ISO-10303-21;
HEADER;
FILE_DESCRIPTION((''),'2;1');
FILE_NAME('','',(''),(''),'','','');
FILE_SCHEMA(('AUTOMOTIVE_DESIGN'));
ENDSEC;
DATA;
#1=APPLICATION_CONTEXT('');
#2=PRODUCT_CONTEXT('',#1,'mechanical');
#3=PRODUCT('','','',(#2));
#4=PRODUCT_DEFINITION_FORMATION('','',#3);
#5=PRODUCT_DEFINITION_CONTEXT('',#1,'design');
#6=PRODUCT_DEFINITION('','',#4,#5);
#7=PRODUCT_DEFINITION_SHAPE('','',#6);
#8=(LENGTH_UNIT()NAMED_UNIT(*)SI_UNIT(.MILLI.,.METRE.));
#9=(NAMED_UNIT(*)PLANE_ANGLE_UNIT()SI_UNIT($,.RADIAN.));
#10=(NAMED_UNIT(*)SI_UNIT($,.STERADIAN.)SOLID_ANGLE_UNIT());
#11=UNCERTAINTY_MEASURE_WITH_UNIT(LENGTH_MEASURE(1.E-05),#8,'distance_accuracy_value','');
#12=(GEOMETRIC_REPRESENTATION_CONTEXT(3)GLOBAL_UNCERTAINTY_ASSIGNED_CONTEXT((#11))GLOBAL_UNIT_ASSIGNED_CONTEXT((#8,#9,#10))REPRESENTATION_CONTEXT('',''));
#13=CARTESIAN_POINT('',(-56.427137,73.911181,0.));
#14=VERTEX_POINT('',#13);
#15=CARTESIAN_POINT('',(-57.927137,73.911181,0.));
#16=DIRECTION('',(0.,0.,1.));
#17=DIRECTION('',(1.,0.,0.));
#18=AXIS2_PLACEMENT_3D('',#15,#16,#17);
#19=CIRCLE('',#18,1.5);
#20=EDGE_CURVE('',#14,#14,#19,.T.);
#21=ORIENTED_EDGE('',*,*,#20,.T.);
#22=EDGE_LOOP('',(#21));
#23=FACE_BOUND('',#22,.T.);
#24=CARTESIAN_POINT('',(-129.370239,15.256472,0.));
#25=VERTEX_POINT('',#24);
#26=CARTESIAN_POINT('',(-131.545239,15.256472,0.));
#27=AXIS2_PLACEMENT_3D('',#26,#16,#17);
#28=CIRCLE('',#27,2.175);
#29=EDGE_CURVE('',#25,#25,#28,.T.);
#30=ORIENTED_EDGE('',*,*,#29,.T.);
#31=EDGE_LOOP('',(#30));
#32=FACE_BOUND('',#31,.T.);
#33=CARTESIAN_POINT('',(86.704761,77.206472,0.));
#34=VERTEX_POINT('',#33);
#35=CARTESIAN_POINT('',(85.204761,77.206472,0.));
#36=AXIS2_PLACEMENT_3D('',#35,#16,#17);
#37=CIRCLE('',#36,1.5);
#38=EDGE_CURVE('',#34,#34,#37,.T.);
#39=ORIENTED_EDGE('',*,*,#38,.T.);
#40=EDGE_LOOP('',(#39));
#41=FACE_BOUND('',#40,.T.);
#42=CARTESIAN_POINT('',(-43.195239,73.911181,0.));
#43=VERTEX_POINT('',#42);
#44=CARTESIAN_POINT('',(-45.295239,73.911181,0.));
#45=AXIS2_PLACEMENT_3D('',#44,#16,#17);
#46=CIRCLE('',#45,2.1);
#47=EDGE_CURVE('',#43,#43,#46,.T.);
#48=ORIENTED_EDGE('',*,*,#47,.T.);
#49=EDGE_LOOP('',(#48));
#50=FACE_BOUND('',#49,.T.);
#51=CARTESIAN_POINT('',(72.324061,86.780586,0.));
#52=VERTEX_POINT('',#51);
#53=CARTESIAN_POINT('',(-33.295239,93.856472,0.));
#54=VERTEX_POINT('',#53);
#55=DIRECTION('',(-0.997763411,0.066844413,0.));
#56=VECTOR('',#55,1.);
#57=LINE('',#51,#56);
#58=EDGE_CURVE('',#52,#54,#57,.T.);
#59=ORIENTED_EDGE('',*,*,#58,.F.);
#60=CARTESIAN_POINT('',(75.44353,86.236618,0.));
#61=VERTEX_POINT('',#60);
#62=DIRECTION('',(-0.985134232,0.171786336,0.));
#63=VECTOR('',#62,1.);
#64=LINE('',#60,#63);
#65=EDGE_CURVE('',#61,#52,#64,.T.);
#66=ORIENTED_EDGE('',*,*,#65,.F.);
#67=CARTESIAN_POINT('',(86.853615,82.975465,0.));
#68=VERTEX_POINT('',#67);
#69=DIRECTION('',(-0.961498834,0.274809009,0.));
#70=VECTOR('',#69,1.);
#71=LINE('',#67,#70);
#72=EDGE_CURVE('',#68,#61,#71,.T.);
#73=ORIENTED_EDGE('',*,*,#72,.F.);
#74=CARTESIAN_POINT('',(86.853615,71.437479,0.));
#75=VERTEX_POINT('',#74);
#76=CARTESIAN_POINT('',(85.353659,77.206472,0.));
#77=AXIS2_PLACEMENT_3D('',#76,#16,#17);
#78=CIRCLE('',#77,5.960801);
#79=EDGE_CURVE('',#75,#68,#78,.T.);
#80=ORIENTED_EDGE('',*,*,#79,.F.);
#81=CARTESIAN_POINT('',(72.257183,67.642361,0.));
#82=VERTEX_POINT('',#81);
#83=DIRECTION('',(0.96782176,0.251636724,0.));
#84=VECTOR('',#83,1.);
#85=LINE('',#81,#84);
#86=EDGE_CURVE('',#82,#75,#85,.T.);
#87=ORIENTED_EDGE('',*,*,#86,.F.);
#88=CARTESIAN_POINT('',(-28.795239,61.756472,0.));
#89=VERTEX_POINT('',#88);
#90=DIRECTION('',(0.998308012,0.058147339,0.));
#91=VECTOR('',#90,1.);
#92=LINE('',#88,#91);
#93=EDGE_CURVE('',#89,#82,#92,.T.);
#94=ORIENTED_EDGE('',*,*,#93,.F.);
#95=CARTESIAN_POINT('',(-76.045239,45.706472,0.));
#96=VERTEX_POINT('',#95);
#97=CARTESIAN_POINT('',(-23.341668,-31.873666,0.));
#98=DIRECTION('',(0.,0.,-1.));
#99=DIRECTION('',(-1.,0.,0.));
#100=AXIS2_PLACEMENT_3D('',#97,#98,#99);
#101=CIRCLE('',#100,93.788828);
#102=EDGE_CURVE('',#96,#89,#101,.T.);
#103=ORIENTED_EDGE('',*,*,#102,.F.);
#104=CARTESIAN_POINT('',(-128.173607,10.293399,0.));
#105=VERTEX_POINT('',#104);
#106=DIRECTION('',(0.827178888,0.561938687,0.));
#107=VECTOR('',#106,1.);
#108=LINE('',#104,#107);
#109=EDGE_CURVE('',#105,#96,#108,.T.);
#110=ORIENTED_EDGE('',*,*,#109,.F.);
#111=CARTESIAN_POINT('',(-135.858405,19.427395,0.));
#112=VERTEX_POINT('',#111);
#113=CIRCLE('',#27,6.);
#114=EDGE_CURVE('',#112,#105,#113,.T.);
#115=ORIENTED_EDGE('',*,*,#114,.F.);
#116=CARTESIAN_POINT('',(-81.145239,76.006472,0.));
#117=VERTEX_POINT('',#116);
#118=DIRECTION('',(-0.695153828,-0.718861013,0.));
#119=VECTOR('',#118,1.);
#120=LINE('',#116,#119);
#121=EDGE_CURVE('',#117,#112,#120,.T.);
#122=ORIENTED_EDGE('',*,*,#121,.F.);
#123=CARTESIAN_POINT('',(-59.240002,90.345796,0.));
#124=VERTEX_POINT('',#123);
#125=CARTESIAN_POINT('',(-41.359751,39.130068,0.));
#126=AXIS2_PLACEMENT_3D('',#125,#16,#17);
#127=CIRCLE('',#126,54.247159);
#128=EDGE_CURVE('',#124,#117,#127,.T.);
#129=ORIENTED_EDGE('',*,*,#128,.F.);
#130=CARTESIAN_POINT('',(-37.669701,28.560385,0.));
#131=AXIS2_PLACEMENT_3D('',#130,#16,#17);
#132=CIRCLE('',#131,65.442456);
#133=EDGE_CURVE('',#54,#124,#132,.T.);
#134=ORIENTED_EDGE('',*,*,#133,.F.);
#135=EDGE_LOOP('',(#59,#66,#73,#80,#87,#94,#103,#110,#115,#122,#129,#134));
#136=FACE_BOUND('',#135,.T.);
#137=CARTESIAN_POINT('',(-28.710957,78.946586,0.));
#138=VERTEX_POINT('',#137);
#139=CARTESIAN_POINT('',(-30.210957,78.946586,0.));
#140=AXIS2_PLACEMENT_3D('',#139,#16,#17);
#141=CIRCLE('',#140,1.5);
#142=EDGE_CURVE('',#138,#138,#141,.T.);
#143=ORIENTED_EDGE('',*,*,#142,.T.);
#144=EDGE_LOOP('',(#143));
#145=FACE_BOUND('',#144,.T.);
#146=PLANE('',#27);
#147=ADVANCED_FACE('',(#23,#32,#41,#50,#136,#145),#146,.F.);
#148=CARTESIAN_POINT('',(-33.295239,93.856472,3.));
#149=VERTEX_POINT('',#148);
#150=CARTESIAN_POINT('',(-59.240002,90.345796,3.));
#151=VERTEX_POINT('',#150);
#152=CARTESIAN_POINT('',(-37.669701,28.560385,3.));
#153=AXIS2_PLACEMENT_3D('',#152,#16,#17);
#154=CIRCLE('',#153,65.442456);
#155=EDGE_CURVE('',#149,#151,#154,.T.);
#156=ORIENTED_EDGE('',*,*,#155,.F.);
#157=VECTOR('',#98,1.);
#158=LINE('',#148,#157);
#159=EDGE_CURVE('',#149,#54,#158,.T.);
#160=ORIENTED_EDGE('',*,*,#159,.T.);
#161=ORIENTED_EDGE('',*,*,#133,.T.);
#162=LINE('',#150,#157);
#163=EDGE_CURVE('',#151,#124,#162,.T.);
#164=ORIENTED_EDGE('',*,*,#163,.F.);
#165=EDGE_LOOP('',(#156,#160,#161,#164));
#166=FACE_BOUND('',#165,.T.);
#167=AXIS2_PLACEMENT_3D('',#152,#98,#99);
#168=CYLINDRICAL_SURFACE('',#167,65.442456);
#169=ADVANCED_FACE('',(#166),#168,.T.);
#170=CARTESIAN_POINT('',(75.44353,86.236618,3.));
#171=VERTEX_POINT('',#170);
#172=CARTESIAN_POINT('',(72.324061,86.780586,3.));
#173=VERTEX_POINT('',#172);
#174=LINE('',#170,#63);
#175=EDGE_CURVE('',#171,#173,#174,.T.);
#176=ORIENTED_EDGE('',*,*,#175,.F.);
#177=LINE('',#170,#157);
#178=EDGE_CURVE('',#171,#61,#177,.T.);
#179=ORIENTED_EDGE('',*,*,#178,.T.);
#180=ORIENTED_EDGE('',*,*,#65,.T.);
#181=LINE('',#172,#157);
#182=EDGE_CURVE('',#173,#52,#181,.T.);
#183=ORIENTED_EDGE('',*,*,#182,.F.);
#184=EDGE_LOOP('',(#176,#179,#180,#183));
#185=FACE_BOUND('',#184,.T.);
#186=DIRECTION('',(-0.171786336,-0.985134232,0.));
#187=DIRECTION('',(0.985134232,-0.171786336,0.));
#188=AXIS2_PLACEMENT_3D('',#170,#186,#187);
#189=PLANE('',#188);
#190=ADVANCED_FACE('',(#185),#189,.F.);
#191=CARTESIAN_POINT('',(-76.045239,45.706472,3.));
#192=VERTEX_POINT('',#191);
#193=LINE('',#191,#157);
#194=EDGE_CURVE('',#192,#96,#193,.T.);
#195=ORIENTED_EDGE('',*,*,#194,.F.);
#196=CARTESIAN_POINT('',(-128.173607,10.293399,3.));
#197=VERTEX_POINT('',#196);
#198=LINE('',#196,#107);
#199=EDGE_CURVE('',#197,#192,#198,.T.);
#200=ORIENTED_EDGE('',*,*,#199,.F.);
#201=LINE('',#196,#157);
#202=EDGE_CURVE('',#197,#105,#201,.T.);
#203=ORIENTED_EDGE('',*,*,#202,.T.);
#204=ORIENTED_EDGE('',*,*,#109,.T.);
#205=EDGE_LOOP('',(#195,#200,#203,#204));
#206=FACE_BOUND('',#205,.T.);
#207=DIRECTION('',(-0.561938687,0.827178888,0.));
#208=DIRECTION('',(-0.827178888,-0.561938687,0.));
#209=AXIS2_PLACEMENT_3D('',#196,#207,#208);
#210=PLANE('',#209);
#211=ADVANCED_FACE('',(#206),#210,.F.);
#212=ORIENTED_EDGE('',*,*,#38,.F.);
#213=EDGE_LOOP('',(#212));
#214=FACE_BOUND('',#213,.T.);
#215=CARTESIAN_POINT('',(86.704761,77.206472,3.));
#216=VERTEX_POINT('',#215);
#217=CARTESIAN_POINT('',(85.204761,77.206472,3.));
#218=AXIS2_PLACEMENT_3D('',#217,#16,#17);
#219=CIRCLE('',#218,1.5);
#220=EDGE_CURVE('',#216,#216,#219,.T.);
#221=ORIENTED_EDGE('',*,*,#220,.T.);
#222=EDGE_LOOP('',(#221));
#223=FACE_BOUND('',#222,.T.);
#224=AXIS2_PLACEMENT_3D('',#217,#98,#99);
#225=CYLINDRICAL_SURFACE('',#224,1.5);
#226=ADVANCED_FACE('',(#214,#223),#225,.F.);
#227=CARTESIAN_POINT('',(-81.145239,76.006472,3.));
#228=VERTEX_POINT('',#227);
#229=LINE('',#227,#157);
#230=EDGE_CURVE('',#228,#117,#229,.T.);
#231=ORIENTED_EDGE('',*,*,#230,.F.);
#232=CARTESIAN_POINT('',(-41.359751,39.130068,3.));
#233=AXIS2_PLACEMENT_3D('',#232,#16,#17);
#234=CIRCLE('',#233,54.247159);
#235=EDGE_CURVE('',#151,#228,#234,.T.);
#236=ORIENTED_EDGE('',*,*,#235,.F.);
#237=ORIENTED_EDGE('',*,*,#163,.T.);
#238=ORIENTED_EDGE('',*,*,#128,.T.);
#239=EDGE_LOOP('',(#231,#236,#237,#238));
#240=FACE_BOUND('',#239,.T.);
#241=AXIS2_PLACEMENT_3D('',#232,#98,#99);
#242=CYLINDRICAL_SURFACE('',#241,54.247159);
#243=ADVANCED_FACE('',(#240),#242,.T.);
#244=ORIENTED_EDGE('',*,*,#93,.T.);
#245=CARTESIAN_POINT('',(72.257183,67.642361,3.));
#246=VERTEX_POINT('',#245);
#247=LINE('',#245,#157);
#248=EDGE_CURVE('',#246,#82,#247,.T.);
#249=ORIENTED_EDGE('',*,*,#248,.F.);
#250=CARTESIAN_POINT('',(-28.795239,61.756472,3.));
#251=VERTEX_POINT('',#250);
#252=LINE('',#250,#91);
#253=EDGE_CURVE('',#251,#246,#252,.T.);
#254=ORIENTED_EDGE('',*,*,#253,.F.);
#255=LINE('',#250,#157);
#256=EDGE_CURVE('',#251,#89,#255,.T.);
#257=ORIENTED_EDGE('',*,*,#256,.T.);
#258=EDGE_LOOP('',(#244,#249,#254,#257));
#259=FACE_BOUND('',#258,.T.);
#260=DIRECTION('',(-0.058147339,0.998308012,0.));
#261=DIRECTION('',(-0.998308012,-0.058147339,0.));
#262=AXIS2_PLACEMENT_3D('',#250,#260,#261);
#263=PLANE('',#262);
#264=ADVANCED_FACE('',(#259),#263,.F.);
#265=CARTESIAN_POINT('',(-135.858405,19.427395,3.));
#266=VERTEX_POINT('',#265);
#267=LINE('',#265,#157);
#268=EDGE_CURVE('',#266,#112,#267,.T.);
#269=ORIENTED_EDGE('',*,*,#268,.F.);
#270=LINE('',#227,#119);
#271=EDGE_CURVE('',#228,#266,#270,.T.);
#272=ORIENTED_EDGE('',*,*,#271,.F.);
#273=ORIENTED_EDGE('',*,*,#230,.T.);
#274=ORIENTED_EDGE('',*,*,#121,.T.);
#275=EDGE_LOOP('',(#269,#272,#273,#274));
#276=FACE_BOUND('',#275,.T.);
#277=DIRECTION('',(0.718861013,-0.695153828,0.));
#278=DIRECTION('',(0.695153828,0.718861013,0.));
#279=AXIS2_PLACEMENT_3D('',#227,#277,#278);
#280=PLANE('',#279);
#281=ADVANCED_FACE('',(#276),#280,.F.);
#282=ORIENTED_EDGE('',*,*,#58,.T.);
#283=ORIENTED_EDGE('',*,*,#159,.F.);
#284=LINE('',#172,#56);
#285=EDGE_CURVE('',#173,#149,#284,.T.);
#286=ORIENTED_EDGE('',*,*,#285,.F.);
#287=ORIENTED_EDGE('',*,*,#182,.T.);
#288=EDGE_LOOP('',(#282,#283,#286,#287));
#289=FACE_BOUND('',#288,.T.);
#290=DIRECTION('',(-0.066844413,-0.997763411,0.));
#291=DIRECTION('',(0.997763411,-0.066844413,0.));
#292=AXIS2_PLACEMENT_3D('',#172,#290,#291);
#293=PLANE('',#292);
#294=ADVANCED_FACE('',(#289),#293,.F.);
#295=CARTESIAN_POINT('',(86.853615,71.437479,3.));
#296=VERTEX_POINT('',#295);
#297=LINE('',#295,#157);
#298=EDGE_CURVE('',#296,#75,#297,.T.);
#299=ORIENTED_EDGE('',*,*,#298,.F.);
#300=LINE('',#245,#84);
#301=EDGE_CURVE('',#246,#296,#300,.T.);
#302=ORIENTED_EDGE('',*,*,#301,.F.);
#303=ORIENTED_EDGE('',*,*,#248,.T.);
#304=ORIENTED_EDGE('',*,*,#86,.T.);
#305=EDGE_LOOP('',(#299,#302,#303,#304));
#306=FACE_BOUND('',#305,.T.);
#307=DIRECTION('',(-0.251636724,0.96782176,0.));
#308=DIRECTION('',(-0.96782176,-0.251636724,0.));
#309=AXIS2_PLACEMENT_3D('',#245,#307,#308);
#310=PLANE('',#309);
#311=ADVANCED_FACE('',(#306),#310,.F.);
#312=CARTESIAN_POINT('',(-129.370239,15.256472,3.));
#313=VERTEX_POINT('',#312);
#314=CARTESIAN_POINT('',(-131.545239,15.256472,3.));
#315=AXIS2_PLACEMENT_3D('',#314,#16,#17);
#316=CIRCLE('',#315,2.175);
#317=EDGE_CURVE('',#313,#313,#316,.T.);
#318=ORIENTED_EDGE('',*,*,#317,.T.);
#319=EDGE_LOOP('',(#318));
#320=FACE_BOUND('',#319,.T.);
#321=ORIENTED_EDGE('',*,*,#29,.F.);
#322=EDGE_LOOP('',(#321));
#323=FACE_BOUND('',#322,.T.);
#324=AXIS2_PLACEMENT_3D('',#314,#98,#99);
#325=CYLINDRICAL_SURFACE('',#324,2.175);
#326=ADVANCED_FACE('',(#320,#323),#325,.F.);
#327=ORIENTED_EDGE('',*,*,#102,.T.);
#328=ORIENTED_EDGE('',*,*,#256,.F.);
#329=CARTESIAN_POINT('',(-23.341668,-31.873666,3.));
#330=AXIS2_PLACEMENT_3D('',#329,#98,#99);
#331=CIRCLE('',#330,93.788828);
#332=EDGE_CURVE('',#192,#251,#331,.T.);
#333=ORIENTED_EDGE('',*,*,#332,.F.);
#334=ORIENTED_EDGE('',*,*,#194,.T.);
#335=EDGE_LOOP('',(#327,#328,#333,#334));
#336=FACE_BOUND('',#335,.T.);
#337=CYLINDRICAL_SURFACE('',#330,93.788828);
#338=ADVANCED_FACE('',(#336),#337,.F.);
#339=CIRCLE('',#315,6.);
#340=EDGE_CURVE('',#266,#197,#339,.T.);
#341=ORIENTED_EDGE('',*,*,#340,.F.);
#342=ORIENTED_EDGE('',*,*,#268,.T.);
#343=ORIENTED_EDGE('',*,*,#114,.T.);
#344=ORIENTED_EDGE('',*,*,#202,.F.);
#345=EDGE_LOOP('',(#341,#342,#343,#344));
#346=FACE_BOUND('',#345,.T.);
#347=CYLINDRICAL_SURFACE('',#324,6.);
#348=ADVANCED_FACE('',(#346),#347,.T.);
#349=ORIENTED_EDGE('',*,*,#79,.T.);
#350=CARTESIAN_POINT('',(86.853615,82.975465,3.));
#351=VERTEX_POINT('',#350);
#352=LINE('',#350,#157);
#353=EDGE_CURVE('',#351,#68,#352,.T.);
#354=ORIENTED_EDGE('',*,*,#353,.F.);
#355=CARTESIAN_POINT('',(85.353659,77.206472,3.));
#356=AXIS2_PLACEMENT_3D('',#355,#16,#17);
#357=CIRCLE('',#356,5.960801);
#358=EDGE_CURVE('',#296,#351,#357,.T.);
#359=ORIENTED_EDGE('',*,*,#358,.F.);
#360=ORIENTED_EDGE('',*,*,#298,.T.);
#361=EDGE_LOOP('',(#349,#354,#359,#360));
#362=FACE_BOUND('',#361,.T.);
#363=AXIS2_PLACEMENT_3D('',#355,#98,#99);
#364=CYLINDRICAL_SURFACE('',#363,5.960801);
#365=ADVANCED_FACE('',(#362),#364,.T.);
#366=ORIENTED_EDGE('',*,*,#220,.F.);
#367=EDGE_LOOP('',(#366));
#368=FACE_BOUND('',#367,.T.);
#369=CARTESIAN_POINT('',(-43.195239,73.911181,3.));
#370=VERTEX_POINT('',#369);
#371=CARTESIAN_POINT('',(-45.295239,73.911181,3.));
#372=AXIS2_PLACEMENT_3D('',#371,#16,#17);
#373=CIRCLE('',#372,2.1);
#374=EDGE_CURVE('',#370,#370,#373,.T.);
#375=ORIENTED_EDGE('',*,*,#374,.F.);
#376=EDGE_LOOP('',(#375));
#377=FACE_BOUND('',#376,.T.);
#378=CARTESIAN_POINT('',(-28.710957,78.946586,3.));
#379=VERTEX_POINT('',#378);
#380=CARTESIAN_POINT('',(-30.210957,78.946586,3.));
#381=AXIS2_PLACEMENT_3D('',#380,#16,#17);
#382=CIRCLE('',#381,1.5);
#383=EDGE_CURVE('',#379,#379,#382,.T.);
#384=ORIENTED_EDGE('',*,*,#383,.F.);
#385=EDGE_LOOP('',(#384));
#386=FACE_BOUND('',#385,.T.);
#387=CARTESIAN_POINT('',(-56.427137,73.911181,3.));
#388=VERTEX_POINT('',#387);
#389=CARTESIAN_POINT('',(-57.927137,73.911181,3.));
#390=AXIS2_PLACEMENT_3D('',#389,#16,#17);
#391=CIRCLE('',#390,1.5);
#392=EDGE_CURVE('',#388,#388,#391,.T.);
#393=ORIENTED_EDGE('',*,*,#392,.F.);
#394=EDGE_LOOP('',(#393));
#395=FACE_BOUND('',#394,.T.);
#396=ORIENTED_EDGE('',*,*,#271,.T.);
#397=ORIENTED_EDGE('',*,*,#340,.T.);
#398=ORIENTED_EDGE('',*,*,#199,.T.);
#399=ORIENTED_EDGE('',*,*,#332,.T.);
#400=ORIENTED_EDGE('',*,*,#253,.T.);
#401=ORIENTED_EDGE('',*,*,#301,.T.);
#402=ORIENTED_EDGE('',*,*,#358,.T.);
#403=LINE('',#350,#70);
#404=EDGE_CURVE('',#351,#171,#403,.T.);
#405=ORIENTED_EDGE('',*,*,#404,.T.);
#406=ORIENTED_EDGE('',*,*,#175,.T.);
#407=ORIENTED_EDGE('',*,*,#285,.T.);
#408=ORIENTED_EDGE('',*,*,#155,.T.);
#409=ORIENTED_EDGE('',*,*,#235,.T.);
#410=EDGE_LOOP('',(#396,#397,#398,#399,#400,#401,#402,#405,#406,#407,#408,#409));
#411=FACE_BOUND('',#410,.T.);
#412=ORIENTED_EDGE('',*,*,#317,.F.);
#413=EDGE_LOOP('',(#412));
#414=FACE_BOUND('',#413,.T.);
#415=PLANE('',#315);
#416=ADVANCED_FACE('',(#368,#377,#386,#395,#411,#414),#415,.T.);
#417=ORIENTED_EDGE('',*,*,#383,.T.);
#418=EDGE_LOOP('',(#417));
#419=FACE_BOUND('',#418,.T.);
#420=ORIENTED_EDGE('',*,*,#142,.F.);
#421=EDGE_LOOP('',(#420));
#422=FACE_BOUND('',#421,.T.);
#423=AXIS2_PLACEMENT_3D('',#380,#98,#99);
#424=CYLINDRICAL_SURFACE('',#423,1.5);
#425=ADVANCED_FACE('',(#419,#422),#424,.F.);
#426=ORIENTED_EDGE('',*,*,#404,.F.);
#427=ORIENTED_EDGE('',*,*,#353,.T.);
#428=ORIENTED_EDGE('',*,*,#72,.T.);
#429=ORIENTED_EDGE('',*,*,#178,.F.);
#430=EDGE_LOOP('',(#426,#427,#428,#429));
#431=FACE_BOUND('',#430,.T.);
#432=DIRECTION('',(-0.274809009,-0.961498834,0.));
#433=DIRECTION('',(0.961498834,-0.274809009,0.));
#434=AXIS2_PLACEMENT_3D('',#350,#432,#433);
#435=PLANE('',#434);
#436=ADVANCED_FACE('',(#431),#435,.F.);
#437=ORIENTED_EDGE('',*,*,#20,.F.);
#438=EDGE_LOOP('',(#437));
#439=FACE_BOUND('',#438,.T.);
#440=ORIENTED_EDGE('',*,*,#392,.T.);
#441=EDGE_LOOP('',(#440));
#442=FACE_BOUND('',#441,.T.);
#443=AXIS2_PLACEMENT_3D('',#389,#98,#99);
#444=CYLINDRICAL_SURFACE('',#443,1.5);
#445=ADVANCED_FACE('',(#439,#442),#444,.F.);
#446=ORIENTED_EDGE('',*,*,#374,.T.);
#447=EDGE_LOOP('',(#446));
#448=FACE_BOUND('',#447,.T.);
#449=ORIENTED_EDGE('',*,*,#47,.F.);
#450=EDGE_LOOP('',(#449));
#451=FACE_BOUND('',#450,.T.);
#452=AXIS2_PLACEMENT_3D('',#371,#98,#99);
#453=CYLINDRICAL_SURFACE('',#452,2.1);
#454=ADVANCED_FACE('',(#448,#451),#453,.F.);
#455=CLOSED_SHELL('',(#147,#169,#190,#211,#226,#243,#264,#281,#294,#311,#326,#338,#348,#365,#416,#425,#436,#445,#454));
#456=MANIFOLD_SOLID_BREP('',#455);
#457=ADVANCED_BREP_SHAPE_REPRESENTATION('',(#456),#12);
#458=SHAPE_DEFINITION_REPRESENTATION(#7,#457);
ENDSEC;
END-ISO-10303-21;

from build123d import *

# Parameters (mm, degrees)
SKETCH1_R           = 1.5
SKETCH1_R_2         = 2.1
SKETCH1_R_3         = 2.175
BOSS_EXTRUDE3_DEPTH = 3


with BuildPart() as part:
    # Sketch1 → Boss-Extrude3 (new body)
    with BuildSketch(Plane.XY):
        with BuildLine():
            Line((-128.173606683, 10.293399025), (-76.045238805, 45.70647235))
            ThreePointArc((-76.045238805, 45.70647235), (-53.507275984, 56.931628533), (-28.795238805, 61.75647235))
            Line((-28.795238805, 61.75647235), (72.257182683, 67.642360637))
            Line((72.257182683, 67.642360637), (86.853615252, 71.437479344))
            ThreePointArc((86.853615252, 71.437479344), (91.314459888, 77.20647235), (86.853615252, 82.975465356))
            Line((86.853615252, 82.975465356), (75.443530199, 86.236617693))
            Line((75.443530199, 86.236617693), (72.32406126, 86.780586344))
            Line((72.32406126, 86.780586344), (-33.295238805, 93.85647235))
            ThreePointArc((-33.295238805, 93.85647235), (-46.44497492, 93.411826928), (-59.240002329, 90.345796421))
            ThreePointArc((-59.240002329, 90.345796421), (-71.070665181, 84.517465038), (-81.145238805, 76.00647235))
            Line((-81.145238805, 76.00647235), (-135.858404881, 19.427395317))
            ThreePointArc((-135.858404881, 19.427395317), (-136.13643621, 11.393713442), (-128.173606683, 10.293399025))
        make_face()
        with Locations((85.204761195, 77.20647235)):
            Circle(SKETCH1_R, mode=Mode.SUBTRACT)
        with Locations((-45.295238805, 73.911181311)):
            Circle(SKETCH1_R_2, mode=Mode.SUBTRACT)
        with Locations((-131.545238805, 15.25647235)):
            Circle(SKETCH1_R_3, mode=Mode.SUBTRACT)
        with Locations((-57.927136979, 73.911181311)):
            Circle(SKETCH1_R, mode=Mode.SUBTRACT)
        with Locations((-30.210957337, 78.946585736)):
            Circle(SKETCH1_R, mode=Mode.SUBTRACT)
    extrude(amount=BOSS_EXTRUDE3_DEPTH)


solid = part.part
